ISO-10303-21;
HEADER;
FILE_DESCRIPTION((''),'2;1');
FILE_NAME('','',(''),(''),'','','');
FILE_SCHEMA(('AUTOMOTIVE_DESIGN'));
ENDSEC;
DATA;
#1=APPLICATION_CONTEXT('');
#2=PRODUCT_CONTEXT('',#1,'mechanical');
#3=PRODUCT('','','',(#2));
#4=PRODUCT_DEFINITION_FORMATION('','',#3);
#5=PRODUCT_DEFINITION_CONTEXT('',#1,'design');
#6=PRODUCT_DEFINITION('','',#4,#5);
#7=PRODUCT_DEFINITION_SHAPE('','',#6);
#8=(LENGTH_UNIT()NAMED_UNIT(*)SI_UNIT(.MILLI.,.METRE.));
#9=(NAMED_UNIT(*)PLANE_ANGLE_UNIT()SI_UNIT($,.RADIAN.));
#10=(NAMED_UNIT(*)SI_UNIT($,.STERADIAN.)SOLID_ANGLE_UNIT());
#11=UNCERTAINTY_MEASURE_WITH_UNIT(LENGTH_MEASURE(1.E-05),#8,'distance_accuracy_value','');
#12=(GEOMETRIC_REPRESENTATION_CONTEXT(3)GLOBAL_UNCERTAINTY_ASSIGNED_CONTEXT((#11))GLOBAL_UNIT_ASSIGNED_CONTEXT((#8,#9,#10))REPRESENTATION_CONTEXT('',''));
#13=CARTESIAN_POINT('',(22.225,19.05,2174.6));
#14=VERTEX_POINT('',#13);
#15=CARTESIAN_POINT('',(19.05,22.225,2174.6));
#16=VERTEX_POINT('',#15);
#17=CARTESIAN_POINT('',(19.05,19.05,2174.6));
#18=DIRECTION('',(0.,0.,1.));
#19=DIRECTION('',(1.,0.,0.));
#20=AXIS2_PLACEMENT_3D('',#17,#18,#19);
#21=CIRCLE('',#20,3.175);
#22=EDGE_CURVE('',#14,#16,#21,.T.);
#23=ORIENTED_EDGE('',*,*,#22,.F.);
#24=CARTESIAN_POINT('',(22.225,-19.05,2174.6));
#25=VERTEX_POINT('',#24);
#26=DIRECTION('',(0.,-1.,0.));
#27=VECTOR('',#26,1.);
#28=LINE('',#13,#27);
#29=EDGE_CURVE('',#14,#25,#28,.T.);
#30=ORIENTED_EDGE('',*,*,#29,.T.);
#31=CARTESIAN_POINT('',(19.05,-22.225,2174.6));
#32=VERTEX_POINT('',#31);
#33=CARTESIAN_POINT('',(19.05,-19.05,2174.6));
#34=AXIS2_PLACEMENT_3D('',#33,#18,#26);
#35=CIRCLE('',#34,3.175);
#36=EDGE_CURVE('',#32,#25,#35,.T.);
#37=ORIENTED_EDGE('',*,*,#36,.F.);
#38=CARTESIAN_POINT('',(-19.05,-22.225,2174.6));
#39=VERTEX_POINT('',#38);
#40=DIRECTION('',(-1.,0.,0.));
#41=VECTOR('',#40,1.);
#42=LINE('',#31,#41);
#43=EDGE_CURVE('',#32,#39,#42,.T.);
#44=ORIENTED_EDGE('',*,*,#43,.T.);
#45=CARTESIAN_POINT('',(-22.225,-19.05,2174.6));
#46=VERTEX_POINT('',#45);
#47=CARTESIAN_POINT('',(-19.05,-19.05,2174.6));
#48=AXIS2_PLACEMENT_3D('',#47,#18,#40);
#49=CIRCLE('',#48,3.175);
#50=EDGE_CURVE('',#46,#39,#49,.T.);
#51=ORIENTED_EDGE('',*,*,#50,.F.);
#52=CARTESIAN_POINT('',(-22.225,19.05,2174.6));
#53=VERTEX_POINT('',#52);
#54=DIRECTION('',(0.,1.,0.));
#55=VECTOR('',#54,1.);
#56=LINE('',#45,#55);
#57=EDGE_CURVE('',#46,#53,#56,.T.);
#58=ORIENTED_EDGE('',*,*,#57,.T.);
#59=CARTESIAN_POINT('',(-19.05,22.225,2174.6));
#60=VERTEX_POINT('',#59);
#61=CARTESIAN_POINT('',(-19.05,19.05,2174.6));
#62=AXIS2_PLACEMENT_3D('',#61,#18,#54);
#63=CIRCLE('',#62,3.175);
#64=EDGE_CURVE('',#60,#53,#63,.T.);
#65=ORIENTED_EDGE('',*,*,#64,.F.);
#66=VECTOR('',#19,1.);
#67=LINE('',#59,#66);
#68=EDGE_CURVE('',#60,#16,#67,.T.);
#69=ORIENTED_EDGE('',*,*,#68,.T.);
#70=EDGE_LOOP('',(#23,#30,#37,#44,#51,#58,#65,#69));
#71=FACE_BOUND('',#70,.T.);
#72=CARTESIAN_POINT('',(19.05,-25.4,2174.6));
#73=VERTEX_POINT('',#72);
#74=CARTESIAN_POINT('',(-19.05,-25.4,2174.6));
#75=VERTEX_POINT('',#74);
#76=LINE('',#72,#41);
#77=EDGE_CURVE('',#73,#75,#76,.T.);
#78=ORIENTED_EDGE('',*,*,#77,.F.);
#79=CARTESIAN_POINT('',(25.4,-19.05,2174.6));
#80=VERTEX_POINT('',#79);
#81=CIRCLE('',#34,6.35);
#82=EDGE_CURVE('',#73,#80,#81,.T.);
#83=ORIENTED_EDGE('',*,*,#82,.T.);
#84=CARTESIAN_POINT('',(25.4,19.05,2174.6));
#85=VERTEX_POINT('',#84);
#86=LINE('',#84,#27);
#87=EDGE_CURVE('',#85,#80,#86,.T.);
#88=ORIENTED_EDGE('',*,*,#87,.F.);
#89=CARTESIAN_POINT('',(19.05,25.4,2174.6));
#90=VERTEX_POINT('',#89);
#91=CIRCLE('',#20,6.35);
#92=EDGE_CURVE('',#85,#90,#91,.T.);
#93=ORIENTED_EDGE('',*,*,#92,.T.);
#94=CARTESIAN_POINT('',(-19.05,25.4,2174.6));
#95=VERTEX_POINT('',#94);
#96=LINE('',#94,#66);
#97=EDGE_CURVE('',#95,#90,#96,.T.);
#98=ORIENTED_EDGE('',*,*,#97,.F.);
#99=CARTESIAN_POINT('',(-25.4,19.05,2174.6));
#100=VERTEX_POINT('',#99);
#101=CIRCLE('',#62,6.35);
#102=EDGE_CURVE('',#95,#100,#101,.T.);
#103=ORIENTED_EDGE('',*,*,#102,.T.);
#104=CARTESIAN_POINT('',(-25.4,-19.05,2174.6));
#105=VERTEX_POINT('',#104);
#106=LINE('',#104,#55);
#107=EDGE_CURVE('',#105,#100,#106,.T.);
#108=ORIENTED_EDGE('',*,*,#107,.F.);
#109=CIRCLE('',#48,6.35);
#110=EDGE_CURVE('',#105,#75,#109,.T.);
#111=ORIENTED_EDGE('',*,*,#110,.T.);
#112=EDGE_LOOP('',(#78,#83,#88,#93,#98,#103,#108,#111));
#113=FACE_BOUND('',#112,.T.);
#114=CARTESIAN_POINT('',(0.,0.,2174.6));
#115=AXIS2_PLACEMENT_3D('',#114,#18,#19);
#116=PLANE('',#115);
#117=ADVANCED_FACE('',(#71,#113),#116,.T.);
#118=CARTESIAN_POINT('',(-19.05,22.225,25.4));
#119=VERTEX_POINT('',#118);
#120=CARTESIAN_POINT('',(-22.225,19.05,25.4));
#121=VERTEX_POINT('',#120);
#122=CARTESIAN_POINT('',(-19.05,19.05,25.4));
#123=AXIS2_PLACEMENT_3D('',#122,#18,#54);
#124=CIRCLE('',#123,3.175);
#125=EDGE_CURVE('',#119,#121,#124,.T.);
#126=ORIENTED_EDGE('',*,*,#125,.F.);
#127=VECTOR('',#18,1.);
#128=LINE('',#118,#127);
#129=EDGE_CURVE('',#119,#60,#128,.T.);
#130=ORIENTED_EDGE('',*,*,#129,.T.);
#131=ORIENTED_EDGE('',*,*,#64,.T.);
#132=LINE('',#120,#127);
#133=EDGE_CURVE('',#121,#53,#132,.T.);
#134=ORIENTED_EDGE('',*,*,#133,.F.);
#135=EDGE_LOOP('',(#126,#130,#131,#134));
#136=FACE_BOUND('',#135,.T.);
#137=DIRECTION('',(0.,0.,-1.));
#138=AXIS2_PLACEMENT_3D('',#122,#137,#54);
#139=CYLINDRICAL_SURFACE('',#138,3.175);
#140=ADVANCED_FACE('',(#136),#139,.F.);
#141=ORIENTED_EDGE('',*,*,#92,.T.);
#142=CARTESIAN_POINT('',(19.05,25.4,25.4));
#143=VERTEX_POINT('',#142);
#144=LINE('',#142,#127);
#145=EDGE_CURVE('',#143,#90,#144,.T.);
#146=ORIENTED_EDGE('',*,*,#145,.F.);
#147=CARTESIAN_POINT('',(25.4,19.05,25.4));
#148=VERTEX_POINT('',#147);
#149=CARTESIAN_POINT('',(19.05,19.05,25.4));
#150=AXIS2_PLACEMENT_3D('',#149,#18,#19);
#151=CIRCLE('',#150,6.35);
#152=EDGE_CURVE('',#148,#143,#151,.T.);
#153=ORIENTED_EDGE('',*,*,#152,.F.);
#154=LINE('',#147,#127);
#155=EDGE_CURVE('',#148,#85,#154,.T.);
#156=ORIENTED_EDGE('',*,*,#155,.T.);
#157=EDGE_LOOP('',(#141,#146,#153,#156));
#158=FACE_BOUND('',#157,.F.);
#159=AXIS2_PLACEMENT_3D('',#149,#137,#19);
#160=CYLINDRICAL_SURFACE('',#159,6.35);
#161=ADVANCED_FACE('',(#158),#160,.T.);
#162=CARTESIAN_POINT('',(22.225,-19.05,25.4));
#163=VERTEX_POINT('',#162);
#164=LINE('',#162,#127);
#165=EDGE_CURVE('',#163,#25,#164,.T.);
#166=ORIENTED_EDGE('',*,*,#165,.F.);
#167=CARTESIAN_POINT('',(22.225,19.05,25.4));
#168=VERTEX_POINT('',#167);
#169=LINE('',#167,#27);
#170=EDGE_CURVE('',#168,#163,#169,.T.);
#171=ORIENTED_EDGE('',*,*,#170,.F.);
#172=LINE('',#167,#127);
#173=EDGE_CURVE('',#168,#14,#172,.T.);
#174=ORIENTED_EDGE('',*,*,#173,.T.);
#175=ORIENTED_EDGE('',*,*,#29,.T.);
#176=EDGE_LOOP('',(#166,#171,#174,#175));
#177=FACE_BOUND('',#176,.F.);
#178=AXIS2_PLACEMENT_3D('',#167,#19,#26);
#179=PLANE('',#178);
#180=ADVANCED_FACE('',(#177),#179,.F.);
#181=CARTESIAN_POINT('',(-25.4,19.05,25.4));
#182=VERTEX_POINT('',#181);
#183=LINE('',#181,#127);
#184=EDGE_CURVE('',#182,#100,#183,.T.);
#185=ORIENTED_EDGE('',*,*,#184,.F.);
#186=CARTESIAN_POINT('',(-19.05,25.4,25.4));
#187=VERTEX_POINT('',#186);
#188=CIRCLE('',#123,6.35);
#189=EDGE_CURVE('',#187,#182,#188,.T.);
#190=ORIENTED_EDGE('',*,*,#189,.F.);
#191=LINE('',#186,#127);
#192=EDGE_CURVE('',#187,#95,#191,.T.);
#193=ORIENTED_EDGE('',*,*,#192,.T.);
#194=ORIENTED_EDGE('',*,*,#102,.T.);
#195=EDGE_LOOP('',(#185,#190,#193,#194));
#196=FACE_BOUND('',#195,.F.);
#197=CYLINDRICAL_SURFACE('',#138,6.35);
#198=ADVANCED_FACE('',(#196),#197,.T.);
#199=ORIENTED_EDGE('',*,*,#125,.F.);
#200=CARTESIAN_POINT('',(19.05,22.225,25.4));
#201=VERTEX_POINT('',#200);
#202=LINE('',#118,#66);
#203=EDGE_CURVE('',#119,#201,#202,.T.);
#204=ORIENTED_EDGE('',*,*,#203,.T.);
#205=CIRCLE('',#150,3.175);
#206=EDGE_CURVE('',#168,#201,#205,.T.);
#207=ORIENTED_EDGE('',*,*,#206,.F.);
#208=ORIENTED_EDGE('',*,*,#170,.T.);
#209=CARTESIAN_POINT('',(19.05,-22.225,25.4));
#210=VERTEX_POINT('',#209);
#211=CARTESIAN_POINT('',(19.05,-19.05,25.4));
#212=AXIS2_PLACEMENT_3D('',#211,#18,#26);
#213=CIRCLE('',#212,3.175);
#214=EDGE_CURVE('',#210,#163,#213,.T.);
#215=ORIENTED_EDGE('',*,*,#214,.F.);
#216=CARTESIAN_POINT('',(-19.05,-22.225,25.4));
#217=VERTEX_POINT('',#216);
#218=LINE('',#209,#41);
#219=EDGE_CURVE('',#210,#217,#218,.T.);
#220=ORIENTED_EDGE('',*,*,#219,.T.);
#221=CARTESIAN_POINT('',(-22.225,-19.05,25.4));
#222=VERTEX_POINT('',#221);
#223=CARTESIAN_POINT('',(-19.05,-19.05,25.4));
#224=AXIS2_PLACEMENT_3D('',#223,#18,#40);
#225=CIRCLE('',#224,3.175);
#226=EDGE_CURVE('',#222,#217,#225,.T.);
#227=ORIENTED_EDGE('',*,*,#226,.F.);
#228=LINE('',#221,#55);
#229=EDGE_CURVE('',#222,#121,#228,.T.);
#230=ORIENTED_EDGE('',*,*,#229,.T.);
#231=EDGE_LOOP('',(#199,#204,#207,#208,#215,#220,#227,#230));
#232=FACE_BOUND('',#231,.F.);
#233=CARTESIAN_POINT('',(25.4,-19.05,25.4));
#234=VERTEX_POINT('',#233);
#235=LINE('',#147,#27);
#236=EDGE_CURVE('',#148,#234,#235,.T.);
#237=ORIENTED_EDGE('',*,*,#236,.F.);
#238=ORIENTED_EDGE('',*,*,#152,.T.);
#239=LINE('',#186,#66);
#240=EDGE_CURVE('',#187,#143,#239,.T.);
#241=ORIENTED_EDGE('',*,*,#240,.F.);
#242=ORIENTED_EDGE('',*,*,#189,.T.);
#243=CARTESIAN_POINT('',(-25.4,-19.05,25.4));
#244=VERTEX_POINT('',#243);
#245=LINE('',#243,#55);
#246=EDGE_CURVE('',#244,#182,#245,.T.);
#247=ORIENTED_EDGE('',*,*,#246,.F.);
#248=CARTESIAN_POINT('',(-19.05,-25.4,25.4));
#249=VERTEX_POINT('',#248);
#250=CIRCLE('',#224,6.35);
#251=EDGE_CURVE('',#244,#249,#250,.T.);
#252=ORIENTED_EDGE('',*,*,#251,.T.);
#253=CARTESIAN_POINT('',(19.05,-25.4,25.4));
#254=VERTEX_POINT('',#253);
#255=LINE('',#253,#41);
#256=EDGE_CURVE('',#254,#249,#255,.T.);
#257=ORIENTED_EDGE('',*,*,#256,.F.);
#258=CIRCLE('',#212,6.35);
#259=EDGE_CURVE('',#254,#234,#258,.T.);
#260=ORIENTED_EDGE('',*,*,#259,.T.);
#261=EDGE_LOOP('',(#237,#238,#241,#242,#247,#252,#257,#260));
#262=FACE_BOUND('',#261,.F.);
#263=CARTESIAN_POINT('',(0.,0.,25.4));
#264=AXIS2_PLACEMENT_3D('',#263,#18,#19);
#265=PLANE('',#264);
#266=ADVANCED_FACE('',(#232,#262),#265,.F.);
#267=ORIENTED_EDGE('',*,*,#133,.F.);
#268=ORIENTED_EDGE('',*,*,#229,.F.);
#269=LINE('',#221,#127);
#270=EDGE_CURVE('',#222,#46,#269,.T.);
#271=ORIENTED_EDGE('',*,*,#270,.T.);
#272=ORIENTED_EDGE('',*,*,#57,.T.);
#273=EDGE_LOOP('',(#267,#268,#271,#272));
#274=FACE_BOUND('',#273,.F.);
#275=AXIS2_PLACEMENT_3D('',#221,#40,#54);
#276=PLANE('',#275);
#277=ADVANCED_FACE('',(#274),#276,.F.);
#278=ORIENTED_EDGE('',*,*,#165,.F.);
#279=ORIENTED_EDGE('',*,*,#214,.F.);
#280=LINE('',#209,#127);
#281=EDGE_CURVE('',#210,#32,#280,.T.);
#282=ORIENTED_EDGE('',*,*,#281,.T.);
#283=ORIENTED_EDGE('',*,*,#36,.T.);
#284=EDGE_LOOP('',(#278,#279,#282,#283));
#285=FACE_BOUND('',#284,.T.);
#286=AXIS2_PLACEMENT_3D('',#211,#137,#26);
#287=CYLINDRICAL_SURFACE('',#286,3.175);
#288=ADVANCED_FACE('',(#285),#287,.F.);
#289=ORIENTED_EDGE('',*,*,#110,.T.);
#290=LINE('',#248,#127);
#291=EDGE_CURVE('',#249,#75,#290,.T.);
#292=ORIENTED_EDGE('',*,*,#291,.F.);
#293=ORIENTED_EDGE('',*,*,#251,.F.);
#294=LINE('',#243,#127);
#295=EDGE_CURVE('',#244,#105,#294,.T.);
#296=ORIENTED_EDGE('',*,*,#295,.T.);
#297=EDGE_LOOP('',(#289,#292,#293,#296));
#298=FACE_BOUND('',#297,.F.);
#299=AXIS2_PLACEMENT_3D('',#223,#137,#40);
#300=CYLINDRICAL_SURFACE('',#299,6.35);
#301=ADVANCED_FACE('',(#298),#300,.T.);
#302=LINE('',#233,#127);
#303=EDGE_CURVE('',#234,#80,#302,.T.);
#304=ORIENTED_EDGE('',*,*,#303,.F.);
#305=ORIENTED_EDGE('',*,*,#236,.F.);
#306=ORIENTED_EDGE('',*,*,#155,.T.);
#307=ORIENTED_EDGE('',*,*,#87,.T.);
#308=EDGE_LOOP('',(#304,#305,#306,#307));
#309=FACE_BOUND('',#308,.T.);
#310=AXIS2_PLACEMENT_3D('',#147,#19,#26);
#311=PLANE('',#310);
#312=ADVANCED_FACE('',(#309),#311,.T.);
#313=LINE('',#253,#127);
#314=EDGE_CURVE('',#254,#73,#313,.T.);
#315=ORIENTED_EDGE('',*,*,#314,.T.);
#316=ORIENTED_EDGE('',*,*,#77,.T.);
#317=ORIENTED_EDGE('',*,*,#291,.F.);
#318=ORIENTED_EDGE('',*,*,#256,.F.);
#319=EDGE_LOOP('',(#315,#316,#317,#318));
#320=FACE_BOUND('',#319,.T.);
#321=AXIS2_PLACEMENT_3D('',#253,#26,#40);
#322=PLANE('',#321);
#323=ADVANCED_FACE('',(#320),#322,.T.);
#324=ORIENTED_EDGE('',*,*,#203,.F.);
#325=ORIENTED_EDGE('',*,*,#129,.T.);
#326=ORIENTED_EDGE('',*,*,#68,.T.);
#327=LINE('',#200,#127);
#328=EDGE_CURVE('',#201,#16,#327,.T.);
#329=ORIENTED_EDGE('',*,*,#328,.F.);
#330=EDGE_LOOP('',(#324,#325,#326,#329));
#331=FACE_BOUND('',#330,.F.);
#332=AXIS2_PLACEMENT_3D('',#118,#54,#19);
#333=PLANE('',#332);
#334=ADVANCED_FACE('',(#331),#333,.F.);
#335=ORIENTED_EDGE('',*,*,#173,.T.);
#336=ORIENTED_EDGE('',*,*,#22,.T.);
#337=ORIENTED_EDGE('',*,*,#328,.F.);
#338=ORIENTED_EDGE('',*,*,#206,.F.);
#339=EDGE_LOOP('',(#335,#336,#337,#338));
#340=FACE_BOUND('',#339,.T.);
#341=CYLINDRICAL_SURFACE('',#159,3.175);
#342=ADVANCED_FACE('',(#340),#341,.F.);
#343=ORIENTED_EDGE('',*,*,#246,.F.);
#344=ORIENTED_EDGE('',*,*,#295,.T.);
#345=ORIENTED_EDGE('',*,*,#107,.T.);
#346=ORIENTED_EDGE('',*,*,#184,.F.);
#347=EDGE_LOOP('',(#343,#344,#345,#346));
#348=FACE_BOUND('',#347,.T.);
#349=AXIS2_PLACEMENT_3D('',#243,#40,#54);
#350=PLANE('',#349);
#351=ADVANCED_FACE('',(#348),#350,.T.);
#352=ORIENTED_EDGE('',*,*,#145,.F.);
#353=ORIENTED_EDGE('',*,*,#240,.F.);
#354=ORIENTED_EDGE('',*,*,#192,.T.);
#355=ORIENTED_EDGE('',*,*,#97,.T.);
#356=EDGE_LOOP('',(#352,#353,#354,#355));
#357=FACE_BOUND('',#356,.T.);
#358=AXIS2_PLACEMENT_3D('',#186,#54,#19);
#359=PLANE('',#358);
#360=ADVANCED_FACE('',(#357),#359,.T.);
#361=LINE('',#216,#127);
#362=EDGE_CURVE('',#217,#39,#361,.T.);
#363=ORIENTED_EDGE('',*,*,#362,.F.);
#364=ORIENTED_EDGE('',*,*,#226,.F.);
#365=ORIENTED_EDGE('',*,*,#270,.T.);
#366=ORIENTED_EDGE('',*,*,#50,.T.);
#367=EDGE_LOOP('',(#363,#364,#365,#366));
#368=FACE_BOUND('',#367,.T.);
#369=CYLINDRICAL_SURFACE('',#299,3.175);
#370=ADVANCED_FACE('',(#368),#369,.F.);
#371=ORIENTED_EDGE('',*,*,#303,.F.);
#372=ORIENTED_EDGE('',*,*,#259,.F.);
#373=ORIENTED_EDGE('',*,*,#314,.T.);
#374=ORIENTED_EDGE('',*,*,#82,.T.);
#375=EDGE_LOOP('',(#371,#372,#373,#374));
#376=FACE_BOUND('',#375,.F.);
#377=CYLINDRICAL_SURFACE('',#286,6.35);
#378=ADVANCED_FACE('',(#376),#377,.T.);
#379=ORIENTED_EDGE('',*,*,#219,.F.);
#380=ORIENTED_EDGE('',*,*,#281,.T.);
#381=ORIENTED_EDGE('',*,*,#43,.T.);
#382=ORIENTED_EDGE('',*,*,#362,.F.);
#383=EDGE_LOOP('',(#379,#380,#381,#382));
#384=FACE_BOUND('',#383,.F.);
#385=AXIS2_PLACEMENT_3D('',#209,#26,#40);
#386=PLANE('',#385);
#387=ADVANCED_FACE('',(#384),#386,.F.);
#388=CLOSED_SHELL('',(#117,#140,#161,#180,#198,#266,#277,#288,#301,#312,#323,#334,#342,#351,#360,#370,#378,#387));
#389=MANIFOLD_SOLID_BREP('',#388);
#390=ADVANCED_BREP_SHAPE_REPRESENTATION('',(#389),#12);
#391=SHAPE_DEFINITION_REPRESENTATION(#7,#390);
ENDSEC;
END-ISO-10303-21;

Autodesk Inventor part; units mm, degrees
ref_plane "Plano inicial" through (0, 0, 25.4) normal (0, 0, 1) x (1, 0, 0)
ref_plane "Plano final" through (0, 0, 2174.6) normal (0, 0, 1) x (1, 0, 0)
sketch "Boceto" plane through (0, 0, 0) normal (0, 0, 1) x (1, 0, 0)
  line L0 (-25.4, -19.05) -> (-25.4, 19.05)
  line L1 (-19.05, 25.4) -> (19.05, 25.4)
  line L2 (25.4, 19.05) -> (25.4, -19.05)
  line L3 (19.05, -25.4) -> (-19.05, -25.4)
  arc A0 (-25.4, -19.05) -> (-19.05, -25.4) centre (-19.05, -19.05) ccw
  arc A1 (-19.05, 25.4) -> (-25.4, 19.05) centre (-19.05, 19.05) ccw
  arc A2 (25.4, 19.05) -> (19.05, 25.4) centre (19.05, 19.05) ccw
  arc A3 (19.05, -25.4) -> (25.4, -19.05) centre (19.05, -19.05) ccw
  arc A4 (-19.05, 22.225) -> (-22.225, 19.05) centre (-19.05, 19.05) ccw
  line L4 (-19.05, 22.225) -> (19.05, 22.225)
  arc A5 (22.225, 19.05) -> (19.05, 22.225) centre (19.05, 19.05) ccw
  line L5 (22.225, 19.05) -> (22.225, -19.05)
  arc A6 (19.05, -22.225) -> (22.225, -19.05) centre (19.05, -19.05) ccw
  line L6 (19.05, -22.225) -> (-19.05, -22.225)
  arc A7 (-22.225, -19.05) -> (-19.05, -22.225) centre (-19.05, -19.05) ccw
  line L7 (-22.225, -19.05) -> (-22.225, 19.05)
  line L8 (0, 37.4012) -> (0, -37.4012) construction
  line L9 (-37.4012, 0) -> (37.4012, 0) construction
  dimension "d10" = 50.8
  dimension "d11" = 50.8
  dimension "d12" = 3.175
  dimension "d15" = 25.4
  dimension "d16" = 25.4
  dimension "d17" = 6.35
extrude "Cuerpo" add sketch "Boceto" along normal up to surface (2149.2 mm away) from surface at 25.4
sketch "Sketch3" plane through (0, 0, 0) normal (0, 0, 1) x (1, 0, 0)
  line L0 (0, 0) -> (10, 0)
ref_plane "Work Plane3" through (0, 0, 0) normal (0, -1, 0) x (1, 0, 0)
ref_plane "Plano de trabajo4" through (2980.95, 500, 25.4) normal (0, 0, -1) x (-1, 0, 0)
split "Dividir1" plane through (2980.95, 500, 25.4) removes the side toward (0, 0, -1)
ref_plane "Plano de trabajo5" through (3000, 480.95, 2174.6) normal (0, 0, 1) x (1, 0, 0)
split "Dividir2" plane through (3000, 480.95, 2174.6) removes the side toward (0, 0, 1)
sketch "Sketch4" plane through (0, 0, 0) normal (0, -1, 0) x (1, 0, 0)
  line L0 (-2, 25.4) -> (12, 25.4) projected
  line L1 (-2, 2174.6) -> (12, 2174.6) projected
  dimension "d19" = 2149.2
equation "\"d10\" = G_H"
equation "\"d11\" = G_W"
equation "\"d12\" = G_T"
equation "\"d15\" = 0.5 * d10"
equation "\"d16\" = 0.5 * d11"
equation "\"d17\" = G_IR"
equation "\"d3\" = G_L"
equation "\"G_W\" = 50.8"
equation "\"G_H\" = 50.8"
equation "\"G_T\" = 3.175"
equation "\"G_IR\" = 6.35"
equation "\"G_L\" = d19"
equation "\"G_OFFSET_START\" = -25.4"
equation "\"G_OFFSET_END\" = -25.4"
equation "\"d13\" = -G_OFFSET_START"
equation "\"d14\" = G_OFFSET_END + B_L"
equation "\"B_L\" = 2200"
properties part number "AISC - 2 x 2 x 1/8 - 84,614" material "Acero, suave"
